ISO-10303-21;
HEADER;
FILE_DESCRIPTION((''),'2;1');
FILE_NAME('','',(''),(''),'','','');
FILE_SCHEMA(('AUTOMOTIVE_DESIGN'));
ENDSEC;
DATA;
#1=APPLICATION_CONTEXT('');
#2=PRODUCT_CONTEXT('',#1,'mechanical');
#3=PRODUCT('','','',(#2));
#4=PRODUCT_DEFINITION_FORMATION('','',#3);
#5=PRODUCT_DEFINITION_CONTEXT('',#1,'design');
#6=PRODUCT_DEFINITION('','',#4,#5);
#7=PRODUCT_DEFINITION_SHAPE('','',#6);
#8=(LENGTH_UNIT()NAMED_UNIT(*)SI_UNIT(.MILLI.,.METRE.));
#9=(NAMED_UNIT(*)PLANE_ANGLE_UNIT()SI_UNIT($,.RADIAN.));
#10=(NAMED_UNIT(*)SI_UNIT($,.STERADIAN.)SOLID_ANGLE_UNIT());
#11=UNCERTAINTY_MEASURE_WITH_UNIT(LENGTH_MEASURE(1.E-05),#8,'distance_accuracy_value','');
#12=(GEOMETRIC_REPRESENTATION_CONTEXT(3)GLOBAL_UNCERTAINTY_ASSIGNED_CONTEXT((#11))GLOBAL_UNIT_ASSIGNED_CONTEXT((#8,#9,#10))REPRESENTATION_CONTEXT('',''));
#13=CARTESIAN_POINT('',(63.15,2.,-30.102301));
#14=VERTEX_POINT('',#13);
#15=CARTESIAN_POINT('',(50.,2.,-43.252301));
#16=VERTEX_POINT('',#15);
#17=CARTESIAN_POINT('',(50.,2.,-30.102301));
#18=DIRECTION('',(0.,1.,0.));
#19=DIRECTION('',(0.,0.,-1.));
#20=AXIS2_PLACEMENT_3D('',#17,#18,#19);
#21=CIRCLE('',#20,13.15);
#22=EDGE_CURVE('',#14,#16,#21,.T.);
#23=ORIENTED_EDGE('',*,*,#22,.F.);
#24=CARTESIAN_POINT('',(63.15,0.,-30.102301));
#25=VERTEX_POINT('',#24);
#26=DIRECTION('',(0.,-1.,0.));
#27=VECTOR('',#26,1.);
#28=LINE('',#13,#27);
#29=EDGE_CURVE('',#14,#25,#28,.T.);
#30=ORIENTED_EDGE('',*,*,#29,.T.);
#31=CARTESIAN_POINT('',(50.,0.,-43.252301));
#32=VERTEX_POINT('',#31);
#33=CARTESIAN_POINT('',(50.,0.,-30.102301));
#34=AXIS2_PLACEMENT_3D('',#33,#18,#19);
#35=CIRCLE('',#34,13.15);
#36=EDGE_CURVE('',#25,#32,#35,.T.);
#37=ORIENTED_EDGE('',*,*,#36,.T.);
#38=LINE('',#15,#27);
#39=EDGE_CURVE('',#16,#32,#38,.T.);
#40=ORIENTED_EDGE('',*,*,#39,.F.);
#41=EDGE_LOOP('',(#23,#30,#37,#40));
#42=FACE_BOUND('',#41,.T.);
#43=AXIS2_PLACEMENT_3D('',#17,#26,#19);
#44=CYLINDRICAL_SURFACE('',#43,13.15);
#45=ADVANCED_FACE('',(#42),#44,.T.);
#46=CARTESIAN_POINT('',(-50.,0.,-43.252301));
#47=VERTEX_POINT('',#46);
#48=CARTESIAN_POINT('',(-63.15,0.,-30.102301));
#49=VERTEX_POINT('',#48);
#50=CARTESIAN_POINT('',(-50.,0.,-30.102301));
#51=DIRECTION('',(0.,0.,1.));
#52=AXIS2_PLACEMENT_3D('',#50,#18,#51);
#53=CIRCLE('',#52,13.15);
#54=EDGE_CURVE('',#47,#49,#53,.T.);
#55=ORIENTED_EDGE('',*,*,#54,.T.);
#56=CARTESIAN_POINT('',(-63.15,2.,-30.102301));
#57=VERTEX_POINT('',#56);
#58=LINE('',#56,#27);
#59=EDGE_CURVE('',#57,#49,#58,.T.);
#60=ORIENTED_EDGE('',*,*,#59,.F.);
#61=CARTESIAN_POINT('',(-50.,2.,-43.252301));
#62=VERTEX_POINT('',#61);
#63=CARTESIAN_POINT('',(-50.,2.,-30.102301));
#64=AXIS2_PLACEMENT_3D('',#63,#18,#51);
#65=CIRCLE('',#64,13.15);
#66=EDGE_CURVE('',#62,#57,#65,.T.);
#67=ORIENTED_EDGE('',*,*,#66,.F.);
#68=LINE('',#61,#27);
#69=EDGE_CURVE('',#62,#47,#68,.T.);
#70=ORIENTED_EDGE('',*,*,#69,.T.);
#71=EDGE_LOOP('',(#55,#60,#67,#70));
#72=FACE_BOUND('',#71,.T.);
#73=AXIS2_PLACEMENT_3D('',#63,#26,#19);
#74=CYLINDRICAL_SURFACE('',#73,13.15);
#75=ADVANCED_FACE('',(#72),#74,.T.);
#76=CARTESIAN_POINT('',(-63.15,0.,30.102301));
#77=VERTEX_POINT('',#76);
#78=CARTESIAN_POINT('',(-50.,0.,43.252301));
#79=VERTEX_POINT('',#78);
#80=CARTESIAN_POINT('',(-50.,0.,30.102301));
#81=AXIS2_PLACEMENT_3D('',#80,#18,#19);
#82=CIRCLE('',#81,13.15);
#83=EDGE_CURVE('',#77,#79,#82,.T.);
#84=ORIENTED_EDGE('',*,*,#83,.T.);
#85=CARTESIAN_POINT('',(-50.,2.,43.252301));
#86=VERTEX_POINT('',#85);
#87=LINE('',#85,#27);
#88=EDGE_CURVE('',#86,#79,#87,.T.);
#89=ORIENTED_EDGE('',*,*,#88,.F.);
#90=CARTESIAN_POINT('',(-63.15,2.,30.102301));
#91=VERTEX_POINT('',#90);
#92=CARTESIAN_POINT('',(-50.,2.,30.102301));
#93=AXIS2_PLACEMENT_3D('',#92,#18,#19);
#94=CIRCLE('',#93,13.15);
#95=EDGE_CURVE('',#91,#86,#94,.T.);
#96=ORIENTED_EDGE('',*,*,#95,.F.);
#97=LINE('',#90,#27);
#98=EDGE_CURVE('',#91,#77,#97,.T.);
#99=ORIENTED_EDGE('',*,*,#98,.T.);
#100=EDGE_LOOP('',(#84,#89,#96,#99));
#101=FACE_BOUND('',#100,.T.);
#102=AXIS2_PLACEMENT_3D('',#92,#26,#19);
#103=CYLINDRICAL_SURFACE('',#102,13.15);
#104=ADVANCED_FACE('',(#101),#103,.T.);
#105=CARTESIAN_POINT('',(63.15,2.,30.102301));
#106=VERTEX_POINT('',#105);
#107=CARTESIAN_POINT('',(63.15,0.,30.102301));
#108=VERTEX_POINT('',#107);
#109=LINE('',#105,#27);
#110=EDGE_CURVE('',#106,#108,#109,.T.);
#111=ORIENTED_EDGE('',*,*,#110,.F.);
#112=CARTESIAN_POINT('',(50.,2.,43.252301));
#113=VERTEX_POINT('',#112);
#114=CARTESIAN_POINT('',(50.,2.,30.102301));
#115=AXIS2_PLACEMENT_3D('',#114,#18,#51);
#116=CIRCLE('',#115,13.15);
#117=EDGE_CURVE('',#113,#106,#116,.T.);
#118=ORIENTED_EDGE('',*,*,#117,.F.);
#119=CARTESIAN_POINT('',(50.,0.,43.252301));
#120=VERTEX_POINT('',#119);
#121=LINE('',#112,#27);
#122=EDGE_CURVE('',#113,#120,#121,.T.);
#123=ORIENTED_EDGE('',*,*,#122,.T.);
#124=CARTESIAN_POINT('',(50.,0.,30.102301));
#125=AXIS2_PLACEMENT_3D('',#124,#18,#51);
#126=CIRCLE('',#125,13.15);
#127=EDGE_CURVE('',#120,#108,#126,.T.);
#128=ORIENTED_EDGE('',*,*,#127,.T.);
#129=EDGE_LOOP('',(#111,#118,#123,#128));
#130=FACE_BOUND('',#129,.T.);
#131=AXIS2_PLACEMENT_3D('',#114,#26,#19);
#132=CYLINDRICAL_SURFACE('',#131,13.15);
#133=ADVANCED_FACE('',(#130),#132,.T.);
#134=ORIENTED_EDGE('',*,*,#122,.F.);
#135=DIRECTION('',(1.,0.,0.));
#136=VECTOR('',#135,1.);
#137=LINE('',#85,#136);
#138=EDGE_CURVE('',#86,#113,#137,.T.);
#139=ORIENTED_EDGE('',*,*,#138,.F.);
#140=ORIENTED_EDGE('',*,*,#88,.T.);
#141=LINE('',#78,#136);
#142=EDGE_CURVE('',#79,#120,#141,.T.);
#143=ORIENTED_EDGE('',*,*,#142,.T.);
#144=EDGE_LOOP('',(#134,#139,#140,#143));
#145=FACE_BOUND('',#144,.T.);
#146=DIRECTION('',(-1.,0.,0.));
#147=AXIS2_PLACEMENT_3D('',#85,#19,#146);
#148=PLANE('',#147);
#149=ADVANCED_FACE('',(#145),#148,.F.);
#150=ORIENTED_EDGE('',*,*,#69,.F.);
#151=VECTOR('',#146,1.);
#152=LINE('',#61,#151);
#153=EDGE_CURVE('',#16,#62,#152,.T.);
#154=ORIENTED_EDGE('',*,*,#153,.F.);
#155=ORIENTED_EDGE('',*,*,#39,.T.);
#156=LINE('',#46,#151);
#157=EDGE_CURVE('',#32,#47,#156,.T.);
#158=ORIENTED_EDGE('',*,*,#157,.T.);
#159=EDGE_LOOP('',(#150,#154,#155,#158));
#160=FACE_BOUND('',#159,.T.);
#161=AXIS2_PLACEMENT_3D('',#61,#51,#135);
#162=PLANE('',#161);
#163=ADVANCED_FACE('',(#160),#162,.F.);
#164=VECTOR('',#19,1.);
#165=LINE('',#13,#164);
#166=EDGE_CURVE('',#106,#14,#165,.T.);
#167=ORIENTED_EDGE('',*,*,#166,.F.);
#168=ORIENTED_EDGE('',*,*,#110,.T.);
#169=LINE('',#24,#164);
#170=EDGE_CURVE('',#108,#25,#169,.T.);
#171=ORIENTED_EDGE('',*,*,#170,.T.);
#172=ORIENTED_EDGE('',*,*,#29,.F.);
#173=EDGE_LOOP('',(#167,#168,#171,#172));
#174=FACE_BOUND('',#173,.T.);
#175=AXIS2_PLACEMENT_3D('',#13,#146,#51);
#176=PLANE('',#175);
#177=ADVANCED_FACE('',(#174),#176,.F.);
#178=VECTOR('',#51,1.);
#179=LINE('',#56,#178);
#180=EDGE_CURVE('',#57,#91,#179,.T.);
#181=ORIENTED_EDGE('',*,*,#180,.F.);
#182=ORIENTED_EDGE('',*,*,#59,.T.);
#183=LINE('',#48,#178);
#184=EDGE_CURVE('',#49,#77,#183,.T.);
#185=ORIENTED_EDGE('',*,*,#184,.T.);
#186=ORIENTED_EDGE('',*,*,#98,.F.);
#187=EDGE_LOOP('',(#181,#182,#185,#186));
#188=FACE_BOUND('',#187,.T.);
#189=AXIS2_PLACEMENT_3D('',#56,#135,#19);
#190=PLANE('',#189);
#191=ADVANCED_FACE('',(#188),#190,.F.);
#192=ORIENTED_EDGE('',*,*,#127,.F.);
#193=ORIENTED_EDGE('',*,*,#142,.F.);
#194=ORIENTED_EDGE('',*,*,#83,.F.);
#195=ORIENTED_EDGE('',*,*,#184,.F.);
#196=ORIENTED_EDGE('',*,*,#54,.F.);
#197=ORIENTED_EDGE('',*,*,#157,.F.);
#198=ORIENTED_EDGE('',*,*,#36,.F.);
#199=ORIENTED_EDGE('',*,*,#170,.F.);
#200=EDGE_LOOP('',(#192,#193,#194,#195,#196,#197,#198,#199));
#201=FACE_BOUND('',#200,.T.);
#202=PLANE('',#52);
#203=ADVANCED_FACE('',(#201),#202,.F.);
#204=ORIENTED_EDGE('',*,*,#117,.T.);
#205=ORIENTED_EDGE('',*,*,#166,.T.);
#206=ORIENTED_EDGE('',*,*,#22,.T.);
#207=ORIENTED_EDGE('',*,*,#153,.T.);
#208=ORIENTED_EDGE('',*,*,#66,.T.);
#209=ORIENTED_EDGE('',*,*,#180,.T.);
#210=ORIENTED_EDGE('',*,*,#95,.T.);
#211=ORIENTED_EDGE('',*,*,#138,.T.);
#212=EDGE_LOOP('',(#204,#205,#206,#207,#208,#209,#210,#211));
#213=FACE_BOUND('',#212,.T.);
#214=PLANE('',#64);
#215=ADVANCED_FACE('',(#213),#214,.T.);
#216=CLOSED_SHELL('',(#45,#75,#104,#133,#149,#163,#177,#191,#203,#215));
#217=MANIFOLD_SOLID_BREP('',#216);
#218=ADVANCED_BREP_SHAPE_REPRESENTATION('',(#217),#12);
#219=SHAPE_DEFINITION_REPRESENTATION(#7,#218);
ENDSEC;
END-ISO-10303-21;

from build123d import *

# Parameters (mm, degrees)
EXTRUDE_1_DEPTH = 2


with BuildPart() as part:
    # 草图1 → 凸台-拉伸1 (new body)
    with BuildSketch(Plane(origin=(0, 0, 0), x_dir=(1, 0, 0), z_dir=(0, 1, 0))):
        with BuildLine():
            Line((-50, 43.252301346), (50, 43.252301346))
            ThreePointArc((50, 43.252301346), (59.298454173, 39.400755519), (63.15, 30.102301346))
            Line((63.15, 30.102301346), (63.15, -30.102301346))
            ThreePointArc((63.15, -30.102301346), (59.298454173, -39.400755519), (50, -43.252301346))
            Line((50, -43.252301346), (-50, -43.252301346))
            ThreePointArc((-50, -43.252301346), (-59.298454173, -39.400755519), (-63.15, -30.102301346))
            Line((-63.15, -30.102301346), (-63.15, 30.102301346))
            ThreePointArc((-63.15, 30.102301346), (-59.298454173, 39.400755519), (-50, 43.252301346))
        make_face()
    extrude(amount=EXTRUDE_1_DEPTH)


solid = part.part
